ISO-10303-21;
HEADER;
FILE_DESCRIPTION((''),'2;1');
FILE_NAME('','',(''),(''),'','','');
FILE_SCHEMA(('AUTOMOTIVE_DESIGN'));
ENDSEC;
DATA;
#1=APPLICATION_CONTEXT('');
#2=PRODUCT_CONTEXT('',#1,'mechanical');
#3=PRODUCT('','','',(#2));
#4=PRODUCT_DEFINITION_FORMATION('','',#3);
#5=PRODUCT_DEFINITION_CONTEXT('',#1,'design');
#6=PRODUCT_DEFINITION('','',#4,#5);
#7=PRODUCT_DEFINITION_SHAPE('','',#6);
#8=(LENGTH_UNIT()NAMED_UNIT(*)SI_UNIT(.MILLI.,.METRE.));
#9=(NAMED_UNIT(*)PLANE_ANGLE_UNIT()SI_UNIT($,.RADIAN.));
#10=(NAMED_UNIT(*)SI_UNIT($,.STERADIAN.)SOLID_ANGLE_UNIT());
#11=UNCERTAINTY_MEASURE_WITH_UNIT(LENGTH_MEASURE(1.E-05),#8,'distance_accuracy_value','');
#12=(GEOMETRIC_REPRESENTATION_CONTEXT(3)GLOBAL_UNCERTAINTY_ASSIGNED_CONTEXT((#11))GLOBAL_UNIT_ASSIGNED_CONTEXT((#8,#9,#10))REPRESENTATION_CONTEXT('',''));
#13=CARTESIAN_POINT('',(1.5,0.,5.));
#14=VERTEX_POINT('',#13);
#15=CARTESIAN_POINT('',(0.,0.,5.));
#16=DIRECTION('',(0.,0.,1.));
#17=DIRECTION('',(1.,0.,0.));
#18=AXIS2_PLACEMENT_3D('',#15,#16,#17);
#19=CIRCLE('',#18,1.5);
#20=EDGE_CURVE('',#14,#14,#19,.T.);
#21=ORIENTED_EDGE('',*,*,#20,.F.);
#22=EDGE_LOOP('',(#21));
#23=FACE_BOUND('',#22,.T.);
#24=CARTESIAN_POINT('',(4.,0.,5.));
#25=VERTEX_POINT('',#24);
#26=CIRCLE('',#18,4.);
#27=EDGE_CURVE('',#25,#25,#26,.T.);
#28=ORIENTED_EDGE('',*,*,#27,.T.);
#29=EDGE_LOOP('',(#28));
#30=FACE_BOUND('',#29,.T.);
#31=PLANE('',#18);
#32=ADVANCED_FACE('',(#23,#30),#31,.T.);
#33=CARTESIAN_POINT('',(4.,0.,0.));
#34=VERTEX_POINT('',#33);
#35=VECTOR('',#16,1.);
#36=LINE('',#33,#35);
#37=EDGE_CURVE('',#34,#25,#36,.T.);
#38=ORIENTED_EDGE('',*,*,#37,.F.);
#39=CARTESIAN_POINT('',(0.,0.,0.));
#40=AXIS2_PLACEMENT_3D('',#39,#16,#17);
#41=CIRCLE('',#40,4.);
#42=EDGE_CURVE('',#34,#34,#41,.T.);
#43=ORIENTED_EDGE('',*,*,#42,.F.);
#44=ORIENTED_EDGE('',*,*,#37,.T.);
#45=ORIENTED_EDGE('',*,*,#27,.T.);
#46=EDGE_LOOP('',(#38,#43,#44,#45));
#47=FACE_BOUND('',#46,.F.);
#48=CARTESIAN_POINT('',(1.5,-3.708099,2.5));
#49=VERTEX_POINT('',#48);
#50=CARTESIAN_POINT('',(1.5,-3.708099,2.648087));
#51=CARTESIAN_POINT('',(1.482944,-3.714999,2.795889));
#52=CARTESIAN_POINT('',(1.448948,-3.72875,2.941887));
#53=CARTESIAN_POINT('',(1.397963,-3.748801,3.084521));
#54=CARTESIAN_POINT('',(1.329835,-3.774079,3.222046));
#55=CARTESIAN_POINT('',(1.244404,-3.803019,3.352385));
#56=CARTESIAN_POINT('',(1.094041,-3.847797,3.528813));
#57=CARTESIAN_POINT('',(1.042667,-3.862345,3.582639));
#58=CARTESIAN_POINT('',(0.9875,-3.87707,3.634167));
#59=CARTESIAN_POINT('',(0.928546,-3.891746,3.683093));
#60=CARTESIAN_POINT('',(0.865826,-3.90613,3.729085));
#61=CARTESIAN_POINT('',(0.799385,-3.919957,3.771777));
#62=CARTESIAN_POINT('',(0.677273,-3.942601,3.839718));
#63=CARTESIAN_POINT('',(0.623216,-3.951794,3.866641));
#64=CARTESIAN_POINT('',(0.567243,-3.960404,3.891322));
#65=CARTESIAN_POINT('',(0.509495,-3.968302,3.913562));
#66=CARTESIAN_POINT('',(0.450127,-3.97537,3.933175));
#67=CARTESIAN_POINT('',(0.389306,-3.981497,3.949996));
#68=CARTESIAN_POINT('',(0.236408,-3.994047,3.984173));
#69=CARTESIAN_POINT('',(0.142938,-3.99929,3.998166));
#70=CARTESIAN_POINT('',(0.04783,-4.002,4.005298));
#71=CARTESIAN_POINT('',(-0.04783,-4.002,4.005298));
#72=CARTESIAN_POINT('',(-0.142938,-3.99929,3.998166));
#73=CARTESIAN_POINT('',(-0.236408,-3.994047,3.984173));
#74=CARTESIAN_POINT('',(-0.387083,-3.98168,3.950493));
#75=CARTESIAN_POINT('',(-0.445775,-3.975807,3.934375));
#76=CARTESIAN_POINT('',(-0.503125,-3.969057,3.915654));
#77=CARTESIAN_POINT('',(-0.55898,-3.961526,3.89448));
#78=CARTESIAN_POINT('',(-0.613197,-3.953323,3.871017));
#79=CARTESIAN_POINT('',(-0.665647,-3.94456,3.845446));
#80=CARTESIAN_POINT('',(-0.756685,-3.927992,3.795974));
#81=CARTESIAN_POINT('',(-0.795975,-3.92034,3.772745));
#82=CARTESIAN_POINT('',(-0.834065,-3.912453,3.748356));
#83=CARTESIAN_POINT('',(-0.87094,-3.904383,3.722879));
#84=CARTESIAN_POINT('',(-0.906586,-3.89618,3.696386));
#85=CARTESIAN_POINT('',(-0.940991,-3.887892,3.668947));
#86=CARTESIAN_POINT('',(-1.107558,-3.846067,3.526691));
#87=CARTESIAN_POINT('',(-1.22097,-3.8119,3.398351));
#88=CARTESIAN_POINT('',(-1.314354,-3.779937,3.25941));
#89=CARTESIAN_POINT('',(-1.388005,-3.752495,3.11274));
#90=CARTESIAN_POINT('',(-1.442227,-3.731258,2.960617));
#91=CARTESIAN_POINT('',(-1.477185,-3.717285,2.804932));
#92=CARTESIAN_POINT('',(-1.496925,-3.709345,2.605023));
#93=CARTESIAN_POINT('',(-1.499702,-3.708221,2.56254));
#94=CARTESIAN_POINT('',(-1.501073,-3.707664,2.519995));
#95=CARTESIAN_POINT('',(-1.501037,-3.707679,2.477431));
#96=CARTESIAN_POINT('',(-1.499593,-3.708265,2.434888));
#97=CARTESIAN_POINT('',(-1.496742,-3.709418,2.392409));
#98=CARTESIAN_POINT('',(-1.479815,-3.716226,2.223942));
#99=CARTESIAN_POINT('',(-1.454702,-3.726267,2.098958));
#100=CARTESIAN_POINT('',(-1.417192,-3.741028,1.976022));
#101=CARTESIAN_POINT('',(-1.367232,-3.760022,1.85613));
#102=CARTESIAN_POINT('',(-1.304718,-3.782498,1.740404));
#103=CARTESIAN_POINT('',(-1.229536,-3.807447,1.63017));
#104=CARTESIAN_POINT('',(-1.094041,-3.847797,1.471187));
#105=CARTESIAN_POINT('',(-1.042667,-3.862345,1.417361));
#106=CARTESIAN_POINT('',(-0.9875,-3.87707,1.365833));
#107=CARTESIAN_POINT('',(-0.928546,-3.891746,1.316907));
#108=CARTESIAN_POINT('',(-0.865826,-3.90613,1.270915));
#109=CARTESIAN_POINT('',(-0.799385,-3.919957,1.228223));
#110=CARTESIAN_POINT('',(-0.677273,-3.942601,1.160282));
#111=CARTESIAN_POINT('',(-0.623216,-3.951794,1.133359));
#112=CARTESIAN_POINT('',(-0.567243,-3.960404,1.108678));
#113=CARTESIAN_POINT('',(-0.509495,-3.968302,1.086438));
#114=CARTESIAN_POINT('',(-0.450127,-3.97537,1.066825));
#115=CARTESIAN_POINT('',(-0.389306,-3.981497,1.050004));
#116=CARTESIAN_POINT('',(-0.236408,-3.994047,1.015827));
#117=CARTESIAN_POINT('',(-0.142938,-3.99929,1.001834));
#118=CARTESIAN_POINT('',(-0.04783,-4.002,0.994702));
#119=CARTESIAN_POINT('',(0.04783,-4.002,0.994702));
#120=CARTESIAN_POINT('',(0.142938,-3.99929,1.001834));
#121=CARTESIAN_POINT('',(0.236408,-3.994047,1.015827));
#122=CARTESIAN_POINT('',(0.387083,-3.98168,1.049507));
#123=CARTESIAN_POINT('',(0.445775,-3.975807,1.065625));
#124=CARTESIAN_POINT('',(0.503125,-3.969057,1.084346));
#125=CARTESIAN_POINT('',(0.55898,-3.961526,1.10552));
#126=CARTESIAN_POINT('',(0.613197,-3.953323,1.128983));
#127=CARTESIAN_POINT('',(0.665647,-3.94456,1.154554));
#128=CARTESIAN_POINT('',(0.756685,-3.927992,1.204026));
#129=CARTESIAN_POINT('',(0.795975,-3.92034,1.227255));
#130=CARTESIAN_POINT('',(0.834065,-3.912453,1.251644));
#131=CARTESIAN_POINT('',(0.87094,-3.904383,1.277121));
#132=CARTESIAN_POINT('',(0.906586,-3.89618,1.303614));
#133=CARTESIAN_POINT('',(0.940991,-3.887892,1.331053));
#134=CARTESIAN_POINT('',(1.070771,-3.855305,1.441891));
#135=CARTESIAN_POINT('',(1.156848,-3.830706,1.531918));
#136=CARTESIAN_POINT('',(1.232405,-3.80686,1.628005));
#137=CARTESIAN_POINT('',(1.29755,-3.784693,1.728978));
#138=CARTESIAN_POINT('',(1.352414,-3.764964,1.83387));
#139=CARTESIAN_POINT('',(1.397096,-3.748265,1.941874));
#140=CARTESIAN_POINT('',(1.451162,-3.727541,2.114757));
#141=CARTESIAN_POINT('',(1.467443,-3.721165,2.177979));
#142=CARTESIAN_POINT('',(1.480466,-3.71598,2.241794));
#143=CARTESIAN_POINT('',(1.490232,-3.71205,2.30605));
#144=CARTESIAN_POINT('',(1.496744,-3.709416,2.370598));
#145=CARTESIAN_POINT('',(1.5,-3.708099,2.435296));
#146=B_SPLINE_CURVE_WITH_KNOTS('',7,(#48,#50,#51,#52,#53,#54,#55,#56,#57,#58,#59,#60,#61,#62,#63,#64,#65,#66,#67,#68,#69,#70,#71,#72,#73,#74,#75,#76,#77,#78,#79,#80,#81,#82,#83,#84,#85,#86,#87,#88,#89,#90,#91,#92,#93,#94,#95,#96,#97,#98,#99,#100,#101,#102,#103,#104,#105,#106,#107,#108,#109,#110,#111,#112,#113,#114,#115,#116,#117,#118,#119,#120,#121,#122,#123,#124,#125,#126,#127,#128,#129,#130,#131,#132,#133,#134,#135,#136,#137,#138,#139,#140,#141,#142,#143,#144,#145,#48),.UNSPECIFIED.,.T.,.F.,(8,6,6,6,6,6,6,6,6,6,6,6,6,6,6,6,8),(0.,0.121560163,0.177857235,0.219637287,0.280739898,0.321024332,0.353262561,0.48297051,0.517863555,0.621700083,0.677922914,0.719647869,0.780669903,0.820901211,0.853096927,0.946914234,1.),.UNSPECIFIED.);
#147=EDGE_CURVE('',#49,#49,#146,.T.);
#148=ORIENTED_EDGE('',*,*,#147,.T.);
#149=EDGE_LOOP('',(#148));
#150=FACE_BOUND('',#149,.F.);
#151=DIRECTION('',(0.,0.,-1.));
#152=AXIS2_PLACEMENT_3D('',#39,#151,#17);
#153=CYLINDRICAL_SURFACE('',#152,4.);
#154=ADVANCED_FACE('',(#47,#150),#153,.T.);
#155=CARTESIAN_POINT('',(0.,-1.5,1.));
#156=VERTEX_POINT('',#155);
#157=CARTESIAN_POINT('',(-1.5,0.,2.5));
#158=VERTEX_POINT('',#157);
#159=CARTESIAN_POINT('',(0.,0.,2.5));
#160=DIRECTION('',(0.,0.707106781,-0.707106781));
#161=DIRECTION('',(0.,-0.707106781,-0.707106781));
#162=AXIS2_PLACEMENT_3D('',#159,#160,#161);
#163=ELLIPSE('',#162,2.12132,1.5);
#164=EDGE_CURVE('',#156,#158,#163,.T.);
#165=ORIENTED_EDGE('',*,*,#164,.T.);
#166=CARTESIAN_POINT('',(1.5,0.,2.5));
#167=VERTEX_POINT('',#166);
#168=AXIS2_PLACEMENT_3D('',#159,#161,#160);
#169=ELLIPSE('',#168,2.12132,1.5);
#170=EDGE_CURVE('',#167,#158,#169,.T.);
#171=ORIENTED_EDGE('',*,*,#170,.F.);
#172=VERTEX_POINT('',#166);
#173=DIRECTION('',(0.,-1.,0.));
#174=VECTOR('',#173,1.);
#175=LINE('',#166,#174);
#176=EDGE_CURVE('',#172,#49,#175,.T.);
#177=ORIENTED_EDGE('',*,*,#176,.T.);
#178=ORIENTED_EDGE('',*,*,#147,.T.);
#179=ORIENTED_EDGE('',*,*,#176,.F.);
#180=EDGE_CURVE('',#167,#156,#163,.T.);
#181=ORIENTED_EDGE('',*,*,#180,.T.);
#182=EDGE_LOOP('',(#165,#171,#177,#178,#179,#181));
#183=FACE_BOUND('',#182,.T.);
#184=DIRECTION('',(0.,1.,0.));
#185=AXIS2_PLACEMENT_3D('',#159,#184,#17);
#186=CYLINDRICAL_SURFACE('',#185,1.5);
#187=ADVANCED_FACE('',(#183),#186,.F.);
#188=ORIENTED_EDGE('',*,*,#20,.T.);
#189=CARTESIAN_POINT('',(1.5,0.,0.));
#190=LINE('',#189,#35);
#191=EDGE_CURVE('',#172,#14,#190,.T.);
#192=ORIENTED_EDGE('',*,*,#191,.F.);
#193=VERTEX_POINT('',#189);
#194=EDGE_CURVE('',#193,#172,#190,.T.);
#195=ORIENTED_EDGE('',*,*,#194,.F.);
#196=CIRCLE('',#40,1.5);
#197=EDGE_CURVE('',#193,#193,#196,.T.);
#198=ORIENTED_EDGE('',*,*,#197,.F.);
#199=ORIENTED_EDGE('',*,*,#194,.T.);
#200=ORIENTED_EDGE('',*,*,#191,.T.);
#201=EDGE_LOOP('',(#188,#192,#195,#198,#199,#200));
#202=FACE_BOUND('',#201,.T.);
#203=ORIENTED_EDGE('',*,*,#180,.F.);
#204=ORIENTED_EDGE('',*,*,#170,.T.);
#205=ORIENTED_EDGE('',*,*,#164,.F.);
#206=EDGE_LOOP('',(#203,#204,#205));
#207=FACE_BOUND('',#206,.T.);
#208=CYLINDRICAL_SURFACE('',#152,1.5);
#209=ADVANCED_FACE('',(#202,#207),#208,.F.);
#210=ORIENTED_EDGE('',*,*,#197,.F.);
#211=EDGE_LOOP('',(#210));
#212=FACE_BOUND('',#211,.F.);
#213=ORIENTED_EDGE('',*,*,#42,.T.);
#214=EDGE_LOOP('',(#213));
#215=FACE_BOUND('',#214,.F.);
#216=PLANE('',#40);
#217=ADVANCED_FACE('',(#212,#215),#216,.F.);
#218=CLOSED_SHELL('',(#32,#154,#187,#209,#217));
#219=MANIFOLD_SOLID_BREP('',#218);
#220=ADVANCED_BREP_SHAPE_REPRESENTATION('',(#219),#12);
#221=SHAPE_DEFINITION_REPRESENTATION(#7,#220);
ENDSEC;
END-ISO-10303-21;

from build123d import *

# Parameters (mm, degrees)
F0_R     = 4
F0_R_2   = 1.5
F1_DEPTH = 5
F2_R     = 1.5
F3_DEPTH = 25


with BuildPart() as f1:
    # F0 (on Top) → F1 (new body)
    with BuildSketch(Plane.XY):
        Circle(F0_R)
        Circle(F0_R_2, mode=Mode.SUBTRACT)
    extrude(amount=F1_DEPTH)

    # F2 (on Front) → F3 (cut)
    with BuildSketch(Plane.XZ):
        with Locations((0, 2.5)):
            Circle(F2_R)
    extrude(amount=F3_DEPTH, mode=Mode.SUBTRACT)


solid = f1.part
